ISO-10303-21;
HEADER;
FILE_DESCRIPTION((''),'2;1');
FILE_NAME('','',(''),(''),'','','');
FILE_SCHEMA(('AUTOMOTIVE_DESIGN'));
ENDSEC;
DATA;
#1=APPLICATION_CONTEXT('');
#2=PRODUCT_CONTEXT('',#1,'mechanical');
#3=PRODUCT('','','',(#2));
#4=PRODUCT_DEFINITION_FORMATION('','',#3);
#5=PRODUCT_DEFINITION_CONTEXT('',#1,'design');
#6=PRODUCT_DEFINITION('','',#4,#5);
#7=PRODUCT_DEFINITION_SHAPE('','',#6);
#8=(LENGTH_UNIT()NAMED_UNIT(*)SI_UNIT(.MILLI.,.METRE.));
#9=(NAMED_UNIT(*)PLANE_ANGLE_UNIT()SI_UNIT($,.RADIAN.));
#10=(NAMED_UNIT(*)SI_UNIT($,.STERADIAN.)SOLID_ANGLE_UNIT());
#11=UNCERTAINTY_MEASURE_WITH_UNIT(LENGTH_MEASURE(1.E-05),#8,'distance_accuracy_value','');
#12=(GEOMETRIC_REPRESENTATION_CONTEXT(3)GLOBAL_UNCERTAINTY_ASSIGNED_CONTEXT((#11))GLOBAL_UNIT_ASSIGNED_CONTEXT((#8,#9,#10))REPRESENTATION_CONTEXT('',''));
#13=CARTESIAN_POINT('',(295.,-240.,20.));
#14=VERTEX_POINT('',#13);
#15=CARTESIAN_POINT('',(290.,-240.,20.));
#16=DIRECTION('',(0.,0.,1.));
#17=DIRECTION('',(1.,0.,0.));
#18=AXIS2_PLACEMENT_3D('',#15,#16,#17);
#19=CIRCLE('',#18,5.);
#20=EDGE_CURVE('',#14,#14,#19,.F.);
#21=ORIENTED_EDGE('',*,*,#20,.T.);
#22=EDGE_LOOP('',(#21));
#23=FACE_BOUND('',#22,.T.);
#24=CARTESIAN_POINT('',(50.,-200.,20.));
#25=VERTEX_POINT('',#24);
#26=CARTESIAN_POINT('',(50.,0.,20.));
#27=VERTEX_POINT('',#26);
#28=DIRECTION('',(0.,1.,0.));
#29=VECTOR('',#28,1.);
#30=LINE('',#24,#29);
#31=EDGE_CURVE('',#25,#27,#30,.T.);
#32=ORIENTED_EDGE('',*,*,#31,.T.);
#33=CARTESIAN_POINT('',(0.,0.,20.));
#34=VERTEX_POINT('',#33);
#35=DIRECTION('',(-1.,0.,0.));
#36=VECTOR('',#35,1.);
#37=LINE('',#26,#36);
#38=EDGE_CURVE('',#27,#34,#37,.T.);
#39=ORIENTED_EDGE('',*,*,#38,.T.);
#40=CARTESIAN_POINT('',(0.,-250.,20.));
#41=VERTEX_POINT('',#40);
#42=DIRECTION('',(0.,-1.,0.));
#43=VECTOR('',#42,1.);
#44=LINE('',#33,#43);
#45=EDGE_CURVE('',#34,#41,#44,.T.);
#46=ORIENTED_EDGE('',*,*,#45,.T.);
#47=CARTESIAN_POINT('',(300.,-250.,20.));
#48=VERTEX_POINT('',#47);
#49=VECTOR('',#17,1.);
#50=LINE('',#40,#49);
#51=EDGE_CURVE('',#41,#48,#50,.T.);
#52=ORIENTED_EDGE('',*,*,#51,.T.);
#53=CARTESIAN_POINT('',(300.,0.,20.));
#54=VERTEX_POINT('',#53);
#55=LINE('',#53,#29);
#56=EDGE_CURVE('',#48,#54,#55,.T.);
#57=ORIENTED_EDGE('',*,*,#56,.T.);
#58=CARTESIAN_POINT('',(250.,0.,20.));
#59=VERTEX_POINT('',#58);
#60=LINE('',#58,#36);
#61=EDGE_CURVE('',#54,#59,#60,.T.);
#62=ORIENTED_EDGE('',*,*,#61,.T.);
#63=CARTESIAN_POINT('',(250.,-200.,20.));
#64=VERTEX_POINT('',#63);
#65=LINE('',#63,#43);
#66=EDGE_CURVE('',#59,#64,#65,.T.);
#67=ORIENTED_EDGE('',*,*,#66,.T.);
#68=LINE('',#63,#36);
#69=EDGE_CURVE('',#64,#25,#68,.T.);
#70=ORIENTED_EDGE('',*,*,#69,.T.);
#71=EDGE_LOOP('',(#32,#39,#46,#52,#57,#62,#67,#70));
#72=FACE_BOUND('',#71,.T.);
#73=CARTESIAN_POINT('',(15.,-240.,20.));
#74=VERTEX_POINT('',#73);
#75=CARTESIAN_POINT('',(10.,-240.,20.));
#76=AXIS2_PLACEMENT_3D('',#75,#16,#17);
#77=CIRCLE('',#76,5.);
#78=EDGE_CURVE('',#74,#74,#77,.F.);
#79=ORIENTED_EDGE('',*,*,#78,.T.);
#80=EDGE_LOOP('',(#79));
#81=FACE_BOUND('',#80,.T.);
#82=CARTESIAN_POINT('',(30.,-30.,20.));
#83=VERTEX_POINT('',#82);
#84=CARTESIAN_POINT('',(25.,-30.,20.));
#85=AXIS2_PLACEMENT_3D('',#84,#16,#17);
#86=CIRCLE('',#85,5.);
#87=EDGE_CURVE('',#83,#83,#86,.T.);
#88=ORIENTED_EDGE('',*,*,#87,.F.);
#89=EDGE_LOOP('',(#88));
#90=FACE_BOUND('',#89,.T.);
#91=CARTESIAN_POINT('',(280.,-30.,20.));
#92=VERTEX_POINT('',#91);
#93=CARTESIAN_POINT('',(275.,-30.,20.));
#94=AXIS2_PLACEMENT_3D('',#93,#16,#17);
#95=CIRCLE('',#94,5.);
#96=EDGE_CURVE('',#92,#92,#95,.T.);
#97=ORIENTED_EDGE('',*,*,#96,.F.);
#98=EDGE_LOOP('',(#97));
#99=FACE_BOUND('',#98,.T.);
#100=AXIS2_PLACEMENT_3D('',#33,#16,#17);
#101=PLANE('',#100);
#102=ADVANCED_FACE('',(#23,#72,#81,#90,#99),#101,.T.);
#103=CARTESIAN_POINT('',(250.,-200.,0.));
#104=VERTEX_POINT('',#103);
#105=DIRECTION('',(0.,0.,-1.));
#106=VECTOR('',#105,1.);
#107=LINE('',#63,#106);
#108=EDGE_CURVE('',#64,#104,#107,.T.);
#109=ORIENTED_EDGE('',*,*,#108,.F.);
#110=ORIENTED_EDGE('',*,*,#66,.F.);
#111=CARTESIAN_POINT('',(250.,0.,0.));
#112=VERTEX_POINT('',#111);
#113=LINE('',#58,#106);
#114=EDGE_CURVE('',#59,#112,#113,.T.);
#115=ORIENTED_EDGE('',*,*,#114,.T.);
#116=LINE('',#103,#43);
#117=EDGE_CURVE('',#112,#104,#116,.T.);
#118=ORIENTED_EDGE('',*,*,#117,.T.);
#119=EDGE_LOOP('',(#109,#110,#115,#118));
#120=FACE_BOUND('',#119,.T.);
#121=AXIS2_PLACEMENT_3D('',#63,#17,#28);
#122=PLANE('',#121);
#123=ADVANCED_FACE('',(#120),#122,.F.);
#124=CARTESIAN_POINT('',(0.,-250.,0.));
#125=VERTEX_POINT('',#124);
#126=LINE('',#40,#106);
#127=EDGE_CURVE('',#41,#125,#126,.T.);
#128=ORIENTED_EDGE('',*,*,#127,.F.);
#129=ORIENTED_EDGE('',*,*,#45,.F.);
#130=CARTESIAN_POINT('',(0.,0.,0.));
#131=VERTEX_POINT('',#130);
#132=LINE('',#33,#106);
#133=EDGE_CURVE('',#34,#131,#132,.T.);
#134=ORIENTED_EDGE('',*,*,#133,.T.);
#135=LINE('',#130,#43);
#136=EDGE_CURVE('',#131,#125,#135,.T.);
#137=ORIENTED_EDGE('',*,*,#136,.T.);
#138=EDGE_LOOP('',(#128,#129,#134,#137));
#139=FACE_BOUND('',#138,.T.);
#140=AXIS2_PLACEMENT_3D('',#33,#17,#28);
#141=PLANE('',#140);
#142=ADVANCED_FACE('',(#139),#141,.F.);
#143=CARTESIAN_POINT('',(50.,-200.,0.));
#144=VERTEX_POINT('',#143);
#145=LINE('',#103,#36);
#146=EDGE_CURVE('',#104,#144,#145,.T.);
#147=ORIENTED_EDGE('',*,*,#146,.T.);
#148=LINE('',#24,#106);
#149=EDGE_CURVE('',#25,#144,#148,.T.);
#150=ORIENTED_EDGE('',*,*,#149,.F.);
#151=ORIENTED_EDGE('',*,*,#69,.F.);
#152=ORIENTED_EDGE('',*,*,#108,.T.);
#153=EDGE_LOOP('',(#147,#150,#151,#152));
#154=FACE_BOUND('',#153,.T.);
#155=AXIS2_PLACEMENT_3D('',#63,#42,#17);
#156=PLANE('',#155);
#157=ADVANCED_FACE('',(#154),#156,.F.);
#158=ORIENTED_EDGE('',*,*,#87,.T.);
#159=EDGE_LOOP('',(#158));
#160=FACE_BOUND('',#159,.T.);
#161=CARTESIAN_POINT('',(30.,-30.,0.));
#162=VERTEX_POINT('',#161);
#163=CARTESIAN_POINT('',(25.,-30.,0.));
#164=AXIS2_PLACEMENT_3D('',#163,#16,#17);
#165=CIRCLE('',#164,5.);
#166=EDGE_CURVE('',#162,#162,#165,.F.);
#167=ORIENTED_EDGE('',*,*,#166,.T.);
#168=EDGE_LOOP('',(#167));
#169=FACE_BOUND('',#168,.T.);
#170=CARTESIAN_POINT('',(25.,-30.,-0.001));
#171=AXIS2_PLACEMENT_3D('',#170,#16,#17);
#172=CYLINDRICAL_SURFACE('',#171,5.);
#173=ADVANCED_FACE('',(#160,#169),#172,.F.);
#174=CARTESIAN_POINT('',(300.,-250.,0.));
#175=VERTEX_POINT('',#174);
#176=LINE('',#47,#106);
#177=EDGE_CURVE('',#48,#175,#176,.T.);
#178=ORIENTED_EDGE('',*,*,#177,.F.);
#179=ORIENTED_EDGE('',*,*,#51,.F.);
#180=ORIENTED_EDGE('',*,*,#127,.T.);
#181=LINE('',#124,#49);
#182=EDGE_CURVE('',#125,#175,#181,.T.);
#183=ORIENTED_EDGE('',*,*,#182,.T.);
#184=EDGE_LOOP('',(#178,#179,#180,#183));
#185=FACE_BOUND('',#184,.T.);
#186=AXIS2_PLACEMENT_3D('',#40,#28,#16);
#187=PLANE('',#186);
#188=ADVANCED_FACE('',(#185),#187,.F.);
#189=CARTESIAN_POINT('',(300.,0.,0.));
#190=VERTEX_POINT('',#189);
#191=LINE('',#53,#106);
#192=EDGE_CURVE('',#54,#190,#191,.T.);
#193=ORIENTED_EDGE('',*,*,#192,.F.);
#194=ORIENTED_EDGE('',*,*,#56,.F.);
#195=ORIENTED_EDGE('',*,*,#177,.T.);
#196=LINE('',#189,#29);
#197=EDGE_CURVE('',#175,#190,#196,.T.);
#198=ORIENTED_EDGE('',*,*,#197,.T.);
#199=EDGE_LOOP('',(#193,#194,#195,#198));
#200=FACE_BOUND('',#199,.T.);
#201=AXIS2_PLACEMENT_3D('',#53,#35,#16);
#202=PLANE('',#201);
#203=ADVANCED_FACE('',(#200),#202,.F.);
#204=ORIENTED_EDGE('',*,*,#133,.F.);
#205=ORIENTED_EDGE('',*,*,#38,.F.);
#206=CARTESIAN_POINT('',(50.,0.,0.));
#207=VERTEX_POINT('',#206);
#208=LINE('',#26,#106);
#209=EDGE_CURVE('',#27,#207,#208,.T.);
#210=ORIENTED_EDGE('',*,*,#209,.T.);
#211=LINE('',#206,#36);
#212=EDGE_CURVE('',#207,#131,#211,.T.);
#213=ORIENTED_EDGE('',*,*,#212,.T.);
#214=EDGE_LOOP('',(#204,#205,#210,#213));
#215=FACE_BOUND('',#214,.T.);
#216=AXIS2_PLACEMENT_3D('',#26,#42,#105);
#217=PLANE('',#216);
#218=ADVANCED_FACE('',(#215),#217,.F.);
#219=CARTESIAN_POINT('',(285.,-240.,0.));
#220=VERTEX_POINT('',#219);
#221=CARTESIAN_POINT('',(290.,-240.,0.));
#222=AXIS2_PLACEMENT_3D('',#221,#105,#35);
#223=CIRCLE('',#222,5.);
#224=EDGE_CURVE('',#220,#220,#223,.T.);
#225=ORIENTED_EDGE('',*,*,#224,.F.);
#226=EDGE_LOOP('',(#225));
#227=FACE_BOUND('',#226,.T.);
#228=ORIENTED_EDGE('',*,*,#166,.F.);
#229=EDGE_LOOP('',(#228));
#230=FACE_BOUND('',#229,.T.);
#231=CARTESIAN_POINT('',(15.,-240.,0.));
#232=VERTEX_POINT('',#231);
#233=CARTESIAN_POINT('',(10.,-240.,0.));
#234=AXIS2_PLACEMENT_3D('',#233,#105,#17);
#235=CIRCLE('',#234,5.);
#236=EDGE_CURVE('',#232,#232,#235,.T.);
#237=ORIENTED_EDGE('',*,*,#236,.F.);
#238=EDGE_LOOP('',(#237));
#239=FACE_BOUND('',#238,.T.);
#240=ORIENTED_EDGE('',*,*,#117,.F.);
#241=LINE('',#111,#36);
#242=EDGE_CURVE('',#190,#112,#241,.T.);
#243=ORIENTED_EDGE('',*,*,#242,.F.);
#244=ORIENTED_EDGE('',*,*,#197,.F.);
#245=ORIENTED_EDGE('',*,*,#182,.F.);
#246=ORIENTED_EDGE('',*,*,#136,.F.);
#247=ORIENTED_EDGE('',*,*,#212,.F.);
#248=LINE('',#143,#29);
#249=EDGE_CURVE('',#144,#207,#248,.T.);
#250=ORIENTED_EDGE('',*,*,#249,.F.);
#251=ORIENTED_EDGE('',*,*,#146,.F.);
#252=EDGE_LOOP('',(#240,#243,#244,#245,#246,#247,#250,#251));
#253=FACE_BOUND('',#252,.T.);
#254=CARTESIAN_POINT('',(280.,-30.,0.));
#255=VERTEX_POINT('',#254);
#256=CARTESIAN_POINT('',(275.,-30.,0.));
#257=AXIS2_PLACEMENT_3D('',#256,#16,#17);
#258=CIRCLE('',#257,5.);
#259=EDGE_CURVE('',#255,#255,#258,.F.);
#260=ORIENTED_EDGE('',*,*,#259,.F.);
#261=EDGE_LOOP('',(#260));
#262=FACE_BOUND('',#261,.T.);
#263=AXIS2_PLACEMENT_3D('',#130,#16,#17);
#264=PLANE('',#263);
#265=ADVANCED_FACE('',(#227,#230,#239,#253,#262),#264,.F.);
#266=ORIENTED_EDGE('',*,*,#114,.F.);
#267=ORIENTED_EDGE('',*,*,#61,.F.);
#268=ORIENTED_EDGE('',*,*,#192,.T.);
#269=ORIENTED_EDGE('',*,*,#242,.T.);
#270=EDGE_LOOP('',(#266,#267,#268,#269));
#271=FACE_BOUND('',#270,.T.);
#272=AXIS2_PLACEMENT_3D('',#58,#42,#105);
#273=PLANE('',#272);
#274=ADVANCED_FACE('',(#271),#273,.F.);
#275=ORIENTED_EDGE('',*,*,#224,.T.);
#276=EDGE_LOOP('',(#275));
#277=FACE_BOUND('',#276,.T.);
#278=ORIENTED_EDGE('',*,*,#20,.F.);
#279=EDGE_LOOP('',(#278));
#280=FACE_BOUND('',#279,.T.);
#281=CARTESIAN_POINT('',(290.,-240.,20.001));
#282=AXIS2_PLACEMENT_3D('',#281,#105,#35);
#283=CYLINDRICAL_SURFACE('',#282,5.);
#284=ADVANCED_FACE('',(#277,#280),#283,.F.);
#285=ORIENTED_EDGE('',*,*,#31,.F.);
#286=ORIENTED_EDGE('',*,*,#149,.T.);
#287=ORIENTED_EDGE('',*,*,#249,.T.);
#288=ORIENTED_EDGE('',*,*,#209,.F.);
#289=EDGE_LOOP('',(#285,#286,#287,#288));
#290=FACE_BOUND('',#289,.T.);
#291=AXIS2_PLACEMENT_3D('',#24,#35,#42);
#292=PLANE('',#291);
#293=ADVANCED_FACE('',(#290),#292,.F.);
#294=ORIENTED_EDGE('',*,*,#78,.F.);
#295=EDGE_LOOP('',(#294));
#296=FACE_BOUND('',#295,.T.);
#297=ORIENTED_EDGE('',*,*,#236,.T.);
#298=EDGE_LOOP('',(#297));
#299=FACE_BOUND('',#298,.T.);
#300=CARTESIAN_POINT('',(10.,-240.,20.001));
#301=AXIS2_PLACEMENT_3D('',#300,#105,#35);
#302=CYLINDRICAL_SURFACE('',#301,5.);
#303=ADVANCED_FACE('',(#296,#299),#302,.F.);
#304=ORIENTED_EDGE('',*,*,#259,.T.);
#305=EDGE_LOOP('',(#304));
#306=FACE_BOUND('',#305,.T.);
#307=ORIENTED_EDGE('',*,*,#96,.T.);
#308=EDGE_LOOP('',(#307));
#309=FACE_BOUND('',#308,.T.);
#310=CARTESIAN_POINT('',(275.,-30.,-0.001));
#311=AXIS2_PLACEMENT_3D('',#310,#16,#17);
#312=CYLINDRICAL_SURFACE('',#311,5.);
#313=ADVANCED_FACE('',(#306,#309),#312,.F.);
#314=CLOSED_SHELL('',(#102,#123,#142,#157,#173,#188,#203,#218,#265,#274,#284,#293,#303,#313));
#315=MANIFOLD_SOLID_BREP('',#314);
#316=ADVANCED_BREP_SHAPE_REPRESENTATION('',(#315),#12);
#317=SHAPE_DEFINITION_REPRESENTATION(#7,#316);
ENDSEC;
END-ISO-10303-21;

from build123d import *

# Parameters (mm, degrees)
BOSS_EXTRUDE1_DEPTH = 20
CUT_EXTRUDE1_REACH  = 393.024
SKETCH2_R           = 5
CUT_EXTRUDE2_REACH  = 393.024
SKETCH3_R           = 5


with BuildPart() as part:
    # Sketch1 → Boss-Extrude1 (new body)
    with BuildSketch(Plane.XY):
        Polygon((0, 0), (0, -250), (300, -250), (300, 0), (250, 0), (250, -200), (50, -200), (50, 0), align=None)
    extrude(amount=BOSS_EXTRUDE1_DEPTH)

    # Sketch2 → Cut-Extrude1 (cut, up to next)
    with BuildSketch(Plane.XY.offset(20), mode=Mode.PRIVATE) as cut_extrude1_sk1:
        with Locations((25, -30)):
            Circle(SKETCH2_R)
    cut_extrude1_tool1 = extrude(cut_extrude1_sk1.sketch, amount=-CUT_EXTRUDE1_REACH, mode=Mode.PRIVATE) & part.part
    # Sketch2 → Cut-Extrude1 (cut, up to next)
    with BuildSketch(Plane.XY.offset(20), mode=Mode.PRIVATE) as cut_extrude1_sk2:
        with Locations((275, -30)):
            Circle(SKETCH2_R)
    cut_extrude1_tool2 = extrude(cut_extrude1_sk2.sketch, amount=-CUT_EXTRUDE1_REACH, mode=Mode.PRIVATE) & part.part
    add(cut_extrude1_tool1.solids().sort_by_distance((25, -30, 20))[0], mode=Mode.SUBTRACT)
    add(cut_extrude1_tool2.solids().sort_by_distance((275, -30, 20))[0], mode=Mode.SUBTRACT)

    # Sketch3 → Cut-Extrude2 (cut, up to next)
    with BuildSketch(Plane(origin=(0, 0, 0), x_dir=(-1, 0, 0), z_dir=(0, 0, -1)), mode=Mode.PRIVATE) as cut_extrude2_sk1:
        with Locations((-290, -240)):
            Circle(SKETCH3_R)
    cut_extrude2_tool1 = extrude(cut_extrude2_sk1.sketch, amount=-CUT_EXTRUDE2_REACH, mode=Mode.PRIVATE) & part.part
    # Sketch3 → Cut-Extrude2 (cut, up to next)
    with BuildSketch(Plane(origin=(0, 0, 0), x_dir=(-1, 0, 0), z_dir=(0, 0, -1)), mode=Mode.PRIVATE) as cut_extrude2_sk2:
        with Locations(Location((-10, -240, 0), (0, 0, 180))):
            Circle(SKETCH3_R)
    cut_extrude2_tool2 = extrude(cut_extrude2_sk2.sketch, amount=-CUT_EXTRUDE2_REACH, mode=Mode.PRIVATE) & part.part
    add(cut_extrude2_tool1.solids().sort_by_distance((290, -240, 0))[0], mode=Mode.SUBTRACT)
    add(cut_extrude2_tool2.solids().sort_by_distance((10, -240, 0))[0], mode=Mode.SUBTRACT)


solid = part.part
